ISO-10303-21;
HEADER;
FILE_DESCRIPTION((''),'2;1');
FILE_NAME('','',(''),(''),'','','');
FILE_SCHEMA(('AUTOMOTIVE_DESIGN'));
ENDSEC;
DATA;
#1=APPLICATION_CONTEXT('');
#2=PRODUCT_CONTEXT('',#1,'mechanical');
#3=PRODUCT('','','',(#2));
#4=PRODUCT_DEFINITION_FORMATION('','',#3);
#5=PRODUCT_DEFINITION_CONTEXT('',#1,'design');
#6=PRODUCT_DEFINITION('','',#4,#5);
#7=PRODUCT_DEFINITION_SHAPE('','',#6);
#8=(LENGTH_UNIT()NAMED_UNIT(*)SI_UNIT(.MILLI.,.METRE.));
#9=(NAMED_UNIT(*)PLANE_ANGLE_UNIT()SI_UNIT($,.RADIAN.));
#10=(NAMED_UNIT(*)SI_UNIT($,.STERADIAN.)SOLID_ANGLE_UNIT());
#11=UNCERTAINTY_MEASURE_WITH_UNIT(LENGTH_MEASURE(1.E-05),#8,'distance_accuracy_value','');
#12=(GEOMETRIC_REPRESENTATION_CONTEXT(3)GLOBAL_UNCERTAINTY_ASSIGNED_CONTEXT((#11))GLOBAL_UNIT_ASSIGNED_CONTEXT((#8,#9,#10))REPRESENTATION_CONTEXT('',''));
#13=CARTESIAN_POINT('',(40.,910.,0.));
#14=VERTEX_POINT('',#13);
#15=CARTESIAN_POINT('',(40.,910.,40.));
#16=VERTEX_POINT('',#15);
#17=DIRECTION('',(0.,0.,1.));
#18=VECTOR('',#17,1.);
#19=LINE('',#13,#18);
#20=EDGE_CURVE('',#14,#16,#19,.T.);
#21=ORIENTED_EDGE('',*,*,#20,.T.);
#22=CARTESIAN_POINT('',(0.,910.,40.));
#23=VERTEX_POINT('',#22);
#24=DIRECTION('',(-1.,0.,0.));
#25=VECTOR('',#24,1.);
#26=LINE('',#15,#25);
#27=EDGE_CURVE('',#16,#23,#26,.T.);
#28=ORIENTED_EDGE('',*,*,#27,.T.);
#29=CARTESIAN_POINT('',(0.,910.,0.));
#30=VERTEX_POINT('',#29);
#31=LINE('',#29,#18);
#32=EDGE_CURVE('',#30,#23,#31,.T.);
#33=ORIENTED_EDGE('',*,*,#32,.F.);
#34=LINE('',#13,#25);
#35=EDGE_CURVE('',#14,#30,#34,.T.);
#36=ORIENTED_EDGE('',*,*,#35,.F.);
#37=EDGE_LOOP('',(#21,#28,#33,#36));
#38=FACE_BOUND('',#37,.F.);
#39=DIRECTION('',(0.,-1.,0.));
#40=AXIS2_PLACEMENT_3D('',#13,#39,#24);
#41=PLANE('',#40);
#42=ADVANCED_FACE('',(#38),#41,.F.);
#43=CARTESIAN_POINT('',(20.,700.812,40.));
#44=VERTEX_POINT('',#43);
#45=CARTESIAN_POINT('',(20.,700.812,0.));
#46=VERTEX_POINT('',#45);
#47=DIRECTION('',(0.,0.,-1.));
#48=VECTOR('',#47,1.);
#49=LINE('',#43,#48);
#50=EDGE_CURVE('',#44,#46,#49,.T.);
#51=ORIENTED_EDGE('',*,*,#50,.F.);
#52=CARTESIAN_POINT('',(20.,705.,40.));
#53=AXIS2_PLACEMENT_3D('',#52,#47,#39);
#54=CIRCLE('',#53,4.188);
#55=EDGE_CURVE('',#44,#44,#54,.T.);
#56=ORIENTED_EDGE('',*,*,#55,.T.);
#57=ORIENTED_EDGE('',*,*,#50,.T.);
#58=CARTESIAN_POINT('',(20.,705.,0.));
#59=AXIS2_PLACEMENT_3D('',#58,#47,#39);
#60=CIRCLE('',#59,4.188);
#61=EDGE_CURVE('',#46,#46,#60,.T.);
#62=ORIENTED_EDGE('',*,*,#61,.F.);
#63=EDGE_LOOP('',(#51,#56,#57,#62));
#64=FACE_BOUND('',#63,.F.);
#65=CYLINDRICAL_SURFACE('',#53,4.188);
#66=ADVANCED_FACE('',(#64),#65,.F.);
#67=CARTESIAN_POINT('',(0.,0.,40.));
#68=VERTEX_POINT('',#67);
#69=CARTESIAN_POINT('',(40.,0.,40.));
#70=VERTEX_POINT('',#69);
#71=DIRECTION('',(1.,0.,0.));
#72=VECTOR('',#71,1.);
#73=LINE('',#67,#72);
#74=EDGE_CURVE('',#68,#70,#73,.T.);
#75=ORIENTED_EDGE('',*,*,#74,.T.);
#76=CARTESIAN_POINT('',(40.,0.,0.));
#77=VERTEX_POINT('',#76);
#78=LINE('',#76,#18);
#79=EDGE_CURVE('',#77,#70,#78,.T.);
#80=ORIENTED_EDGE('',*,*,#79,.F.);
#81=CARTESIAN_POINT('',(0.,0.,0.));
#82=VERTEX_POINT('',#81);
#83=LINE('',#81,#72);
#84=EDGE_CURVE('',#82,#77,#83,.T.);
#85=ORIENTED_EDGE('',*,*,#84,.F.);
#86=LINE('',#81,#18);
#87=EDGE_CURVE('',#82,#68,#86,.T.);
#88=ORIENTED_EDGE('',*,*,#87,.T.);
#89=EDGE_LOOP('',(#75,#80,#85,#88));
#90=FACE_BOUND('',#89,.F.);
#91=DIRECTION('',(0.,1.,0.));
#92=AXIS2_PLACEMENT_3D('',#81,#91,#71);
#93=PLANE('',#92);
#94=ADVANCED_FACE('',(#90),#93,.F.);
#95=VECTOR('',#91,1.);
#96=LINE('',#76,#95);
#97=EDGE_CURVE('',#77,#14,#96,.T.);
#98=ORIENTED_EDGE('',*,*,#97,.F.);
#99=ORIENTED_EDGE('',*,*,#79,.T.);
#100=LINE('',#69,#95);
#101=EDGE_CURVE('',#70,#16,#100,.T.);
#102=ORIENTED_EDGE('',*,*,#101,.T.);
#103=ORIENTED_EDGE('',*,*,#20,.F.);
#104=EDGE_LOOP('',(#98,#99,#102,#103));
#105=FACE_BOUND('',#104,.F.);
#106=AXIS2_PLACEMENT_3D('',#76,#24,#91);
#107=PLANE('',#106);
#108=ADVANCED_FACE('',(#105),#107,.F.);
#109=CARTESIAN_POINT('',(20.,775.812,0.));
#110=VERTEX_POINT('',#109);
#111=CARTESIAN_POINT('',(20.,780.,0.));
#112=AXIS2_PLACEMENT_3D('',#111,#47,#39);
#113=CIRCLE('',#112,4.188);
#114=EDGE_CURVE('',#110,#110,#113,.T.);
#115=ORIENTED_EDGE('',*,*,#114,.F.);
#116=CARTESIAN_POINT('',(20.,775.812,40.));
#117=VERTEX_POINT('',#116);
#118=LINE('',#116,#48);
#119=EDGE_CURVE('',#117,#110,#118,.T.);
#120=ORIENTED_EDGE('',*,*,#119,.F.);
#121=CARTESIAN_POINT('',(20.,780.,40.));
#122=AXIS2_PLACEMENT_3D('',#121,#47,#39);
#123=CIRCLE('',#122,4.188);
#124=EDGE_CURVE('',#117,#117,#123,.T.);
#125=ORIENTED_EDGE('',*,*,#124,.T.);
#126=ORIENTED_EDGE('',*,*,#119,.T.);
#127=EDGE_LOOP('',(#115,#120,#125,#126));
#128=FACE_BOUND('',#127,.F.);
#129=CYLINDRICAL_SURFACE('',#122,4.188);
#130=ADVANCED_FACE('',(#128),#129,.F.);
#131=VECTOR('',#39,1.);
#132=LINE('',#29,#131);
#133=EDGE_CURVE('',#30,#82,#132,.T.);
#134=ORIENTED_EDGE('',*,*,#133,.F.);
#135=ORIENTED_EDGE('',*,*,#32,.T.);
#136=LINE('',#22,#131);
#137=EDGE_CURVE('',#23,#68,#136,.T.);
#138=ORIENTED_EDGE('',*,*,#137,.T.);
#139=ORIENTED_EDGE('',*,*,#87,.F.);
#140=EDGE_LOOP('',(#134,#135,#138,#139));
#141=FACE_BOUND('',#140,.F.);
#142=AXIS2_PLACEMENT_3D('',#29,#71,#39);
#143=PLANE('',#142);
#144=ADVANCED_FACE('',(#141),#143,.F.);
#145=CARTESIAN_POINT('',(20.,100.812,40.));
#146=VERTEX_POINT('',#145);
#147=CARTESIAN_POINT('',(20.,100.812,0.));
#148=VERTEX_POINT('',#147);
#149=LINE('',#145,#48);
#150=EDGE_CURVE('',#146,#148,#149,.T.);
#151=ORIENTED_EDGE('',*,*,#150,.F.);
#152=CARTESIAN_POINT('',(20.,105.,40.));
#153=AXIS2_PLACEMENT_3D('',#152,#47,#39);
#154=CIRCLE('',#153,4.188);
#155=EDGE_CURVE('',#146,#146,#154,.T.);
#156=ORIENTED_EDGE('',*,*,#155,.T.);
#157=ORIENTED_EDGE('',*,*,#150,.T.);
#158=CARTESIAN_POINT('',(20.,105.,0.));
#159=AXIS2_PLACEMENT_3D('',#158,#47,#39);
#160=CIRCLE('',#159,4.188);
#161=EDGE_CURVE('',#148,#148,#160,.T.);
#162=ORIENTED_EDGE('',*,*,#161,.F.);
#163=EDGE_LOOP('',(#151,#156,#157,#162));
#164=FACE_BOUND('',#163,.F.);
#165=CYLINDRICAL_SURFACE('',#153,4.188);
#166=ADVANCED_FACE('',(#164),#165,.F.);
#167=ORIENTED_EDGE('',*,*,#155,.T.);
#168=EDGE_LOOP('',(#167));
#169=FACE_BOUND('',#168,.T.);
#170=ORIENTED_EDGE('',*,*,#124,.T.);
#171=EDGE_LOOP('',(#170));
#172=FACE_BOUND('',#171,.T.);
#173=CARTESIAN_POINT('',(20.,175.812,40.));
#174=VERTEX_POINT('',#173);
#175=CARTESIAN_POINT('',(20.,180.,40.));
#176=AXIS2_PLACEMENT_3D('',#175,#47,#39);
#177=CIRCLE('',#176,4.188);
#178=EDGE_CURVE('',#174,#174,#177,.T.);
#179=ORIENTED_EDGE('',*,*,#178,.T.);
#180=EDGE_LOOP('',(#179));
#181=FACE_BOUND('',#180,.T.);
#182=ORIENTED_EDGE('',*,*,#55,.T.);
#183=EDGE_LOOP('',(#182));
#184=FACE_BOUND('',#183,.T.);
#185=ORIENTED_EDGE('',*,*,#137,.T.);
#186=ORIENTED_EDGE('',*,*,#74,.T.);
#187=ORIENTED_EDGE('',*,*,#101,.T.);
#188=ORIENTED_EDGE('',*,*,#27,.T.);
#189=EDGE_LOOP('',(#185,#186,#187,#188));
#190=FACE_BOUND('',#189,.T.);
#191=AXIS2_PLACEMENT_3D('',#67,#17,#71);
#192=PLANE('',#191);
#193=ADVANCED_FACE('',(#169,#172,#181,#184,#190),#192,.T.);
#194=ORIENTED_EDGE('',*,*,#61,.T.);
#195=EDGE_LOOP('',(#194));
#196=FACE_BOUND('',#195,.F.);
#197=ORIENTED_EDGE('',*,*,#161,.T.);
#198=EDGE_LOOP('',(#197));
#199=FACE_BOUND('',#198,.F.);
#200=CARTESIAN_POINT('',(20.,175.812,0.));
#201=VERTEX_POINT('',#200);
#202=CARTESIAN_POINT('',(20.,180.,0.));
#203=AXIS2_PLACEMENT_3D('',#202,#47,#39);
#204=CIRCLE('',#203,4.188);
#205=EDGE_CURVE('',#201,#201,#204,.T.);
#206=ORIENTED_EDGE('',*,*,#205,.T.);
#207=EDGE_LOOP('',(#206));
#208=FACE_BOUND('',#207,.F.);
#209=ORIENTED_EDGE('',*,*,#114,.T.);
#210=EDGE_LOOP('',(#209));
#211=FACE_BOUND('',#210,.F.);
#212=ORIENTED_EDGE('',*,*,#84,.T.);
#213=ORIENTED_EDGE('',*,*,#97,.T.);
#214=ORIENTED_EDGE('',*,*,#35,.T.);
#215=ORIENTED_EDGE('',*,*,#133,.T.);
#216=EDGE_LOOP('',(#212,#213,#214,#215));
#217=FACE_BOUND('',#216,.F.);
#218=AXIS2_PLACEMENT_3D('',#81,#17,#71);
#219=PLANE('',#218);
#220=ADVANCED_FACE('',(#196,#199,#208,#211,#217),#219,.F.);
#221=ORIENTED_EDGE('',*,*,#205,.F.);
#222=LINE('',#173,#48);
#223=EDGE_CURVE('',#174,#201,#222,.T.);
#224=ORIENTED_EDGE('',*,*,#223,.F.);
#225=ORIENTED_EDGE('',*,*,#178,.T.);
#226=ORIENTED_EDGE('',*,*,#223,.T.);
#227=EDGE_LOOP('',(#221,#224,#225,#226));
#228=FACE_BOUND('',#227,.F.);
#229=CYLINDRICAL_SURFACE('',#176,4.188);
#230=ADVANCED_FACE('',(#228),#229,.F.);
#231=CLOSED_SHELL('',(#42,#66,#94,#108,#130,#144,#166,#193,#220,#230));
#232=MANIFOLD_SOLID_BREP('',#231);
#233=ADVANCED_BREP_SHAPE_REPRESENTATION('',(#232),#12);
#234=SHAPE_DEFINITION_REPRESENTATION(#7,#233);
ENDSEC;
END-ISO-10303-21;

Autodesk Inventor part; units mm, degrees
ref_plane "YZ Plane" through (0, 0, 0) normal (1, 0, 0) x (0, 1, 0)
ref_plane "XZ Plane" through (0, 0, 0) normal (0, 1, 0) x (-1, 0, 0)
ref_plane "XY Plane" through (0, 0, 0) normal (0, 0, 1) x (1, 0, 0)
sketch "Sketch1" plane through (0, 0, 0) normal (0, 0, 1) x (1, 0, 0)
  line L0 (0, 0) -> (40, 0)
  line L1 (40, 0) -> (40, 910)
  line L2 (40, 910) -> (0, 910)
  line L3 (0, 910) -> (0, 0)
  dimension "d0" = 40
  dimension "d1" = 910
extrude "Extrusion1" add sketch "Sketch1" along normal blind 40
sketch "Sketch2" plane through (0, 0, 40) normal (0, 0, 1) x (1, 0, 0)
  line L0 (40, 910) -> (0, 910) projected
  line L1 (0, 0) -> (40, 0) projected
  line L2 (0, 910) -> (0, 0) projected
  line L3 (40, 0) -> (40, 910) projected
  point P0 (20, 780)
  point P1 (20, 105)
  point P2 (20, 180)
  point P3 (20, 910)
  point P4 (20, 0)
  point P5 (20, 705)
  point P6 (20, 630)
  point P7 (20, 555)
  point P8 (20, 480)
  point P9 (20, 405)
  point P10 (20, 330)
  point P11 (20, 255)
  dimension "d4" = 130
  dimension "d5" = 105
  dimension "d6" = 20
  dimension "d7" = 40
  dimension "d8" = 20
  dimension "d9" = 75
  dimension "d10" = 20
  dimension "d11" = 75
  dimension "d12" = 20
  dimension "d13" = 75
  dimension "d14" = 20
  dimension "d15" = 75
  dimension "d16" = 20
  dimension "d17" = 75
  dimension "d18" = 20
  dimension "d19" = 75
  dimension "d20" = 20
  dimension "d21" = 75
  dimension "d22" = 20
  dimension "d23" = 75
  dimension "d24" = 20
  dimension "d25" = 75
hole "Hole1" at (20, 105, 40) at (20, 780, 40) at (20, 705, 40) at (20, 180, 40) direction (0, 0, -1) diameter 8.376 end through all thread size "M10x1.5" class "6H" standard "ISO Metric profile"
equation "\"d6\" = 0.5 * d7"
equation "\"d8\" = d6"
equation "\"d10\" = d8"
equation "\"d11\" = d9"
equation "\"d12\" = d6"
equation "\"d13\" = d9"
equation "\"d14\" = d10"
equation "\"d15\" = d13"
equation "\"d16\" = d14"
equation "\"d17\" = d15"
equation "\"d18\" = d16"
equation "\"d19\" = d17"
equation "\"d20\" = d18"
equation "\"d21\" = d19"
equation "\"d22\" = d20"
equation "\"d23\" = d21"
equation "\"d24\" = d22"
properties part number "Long side frame"
